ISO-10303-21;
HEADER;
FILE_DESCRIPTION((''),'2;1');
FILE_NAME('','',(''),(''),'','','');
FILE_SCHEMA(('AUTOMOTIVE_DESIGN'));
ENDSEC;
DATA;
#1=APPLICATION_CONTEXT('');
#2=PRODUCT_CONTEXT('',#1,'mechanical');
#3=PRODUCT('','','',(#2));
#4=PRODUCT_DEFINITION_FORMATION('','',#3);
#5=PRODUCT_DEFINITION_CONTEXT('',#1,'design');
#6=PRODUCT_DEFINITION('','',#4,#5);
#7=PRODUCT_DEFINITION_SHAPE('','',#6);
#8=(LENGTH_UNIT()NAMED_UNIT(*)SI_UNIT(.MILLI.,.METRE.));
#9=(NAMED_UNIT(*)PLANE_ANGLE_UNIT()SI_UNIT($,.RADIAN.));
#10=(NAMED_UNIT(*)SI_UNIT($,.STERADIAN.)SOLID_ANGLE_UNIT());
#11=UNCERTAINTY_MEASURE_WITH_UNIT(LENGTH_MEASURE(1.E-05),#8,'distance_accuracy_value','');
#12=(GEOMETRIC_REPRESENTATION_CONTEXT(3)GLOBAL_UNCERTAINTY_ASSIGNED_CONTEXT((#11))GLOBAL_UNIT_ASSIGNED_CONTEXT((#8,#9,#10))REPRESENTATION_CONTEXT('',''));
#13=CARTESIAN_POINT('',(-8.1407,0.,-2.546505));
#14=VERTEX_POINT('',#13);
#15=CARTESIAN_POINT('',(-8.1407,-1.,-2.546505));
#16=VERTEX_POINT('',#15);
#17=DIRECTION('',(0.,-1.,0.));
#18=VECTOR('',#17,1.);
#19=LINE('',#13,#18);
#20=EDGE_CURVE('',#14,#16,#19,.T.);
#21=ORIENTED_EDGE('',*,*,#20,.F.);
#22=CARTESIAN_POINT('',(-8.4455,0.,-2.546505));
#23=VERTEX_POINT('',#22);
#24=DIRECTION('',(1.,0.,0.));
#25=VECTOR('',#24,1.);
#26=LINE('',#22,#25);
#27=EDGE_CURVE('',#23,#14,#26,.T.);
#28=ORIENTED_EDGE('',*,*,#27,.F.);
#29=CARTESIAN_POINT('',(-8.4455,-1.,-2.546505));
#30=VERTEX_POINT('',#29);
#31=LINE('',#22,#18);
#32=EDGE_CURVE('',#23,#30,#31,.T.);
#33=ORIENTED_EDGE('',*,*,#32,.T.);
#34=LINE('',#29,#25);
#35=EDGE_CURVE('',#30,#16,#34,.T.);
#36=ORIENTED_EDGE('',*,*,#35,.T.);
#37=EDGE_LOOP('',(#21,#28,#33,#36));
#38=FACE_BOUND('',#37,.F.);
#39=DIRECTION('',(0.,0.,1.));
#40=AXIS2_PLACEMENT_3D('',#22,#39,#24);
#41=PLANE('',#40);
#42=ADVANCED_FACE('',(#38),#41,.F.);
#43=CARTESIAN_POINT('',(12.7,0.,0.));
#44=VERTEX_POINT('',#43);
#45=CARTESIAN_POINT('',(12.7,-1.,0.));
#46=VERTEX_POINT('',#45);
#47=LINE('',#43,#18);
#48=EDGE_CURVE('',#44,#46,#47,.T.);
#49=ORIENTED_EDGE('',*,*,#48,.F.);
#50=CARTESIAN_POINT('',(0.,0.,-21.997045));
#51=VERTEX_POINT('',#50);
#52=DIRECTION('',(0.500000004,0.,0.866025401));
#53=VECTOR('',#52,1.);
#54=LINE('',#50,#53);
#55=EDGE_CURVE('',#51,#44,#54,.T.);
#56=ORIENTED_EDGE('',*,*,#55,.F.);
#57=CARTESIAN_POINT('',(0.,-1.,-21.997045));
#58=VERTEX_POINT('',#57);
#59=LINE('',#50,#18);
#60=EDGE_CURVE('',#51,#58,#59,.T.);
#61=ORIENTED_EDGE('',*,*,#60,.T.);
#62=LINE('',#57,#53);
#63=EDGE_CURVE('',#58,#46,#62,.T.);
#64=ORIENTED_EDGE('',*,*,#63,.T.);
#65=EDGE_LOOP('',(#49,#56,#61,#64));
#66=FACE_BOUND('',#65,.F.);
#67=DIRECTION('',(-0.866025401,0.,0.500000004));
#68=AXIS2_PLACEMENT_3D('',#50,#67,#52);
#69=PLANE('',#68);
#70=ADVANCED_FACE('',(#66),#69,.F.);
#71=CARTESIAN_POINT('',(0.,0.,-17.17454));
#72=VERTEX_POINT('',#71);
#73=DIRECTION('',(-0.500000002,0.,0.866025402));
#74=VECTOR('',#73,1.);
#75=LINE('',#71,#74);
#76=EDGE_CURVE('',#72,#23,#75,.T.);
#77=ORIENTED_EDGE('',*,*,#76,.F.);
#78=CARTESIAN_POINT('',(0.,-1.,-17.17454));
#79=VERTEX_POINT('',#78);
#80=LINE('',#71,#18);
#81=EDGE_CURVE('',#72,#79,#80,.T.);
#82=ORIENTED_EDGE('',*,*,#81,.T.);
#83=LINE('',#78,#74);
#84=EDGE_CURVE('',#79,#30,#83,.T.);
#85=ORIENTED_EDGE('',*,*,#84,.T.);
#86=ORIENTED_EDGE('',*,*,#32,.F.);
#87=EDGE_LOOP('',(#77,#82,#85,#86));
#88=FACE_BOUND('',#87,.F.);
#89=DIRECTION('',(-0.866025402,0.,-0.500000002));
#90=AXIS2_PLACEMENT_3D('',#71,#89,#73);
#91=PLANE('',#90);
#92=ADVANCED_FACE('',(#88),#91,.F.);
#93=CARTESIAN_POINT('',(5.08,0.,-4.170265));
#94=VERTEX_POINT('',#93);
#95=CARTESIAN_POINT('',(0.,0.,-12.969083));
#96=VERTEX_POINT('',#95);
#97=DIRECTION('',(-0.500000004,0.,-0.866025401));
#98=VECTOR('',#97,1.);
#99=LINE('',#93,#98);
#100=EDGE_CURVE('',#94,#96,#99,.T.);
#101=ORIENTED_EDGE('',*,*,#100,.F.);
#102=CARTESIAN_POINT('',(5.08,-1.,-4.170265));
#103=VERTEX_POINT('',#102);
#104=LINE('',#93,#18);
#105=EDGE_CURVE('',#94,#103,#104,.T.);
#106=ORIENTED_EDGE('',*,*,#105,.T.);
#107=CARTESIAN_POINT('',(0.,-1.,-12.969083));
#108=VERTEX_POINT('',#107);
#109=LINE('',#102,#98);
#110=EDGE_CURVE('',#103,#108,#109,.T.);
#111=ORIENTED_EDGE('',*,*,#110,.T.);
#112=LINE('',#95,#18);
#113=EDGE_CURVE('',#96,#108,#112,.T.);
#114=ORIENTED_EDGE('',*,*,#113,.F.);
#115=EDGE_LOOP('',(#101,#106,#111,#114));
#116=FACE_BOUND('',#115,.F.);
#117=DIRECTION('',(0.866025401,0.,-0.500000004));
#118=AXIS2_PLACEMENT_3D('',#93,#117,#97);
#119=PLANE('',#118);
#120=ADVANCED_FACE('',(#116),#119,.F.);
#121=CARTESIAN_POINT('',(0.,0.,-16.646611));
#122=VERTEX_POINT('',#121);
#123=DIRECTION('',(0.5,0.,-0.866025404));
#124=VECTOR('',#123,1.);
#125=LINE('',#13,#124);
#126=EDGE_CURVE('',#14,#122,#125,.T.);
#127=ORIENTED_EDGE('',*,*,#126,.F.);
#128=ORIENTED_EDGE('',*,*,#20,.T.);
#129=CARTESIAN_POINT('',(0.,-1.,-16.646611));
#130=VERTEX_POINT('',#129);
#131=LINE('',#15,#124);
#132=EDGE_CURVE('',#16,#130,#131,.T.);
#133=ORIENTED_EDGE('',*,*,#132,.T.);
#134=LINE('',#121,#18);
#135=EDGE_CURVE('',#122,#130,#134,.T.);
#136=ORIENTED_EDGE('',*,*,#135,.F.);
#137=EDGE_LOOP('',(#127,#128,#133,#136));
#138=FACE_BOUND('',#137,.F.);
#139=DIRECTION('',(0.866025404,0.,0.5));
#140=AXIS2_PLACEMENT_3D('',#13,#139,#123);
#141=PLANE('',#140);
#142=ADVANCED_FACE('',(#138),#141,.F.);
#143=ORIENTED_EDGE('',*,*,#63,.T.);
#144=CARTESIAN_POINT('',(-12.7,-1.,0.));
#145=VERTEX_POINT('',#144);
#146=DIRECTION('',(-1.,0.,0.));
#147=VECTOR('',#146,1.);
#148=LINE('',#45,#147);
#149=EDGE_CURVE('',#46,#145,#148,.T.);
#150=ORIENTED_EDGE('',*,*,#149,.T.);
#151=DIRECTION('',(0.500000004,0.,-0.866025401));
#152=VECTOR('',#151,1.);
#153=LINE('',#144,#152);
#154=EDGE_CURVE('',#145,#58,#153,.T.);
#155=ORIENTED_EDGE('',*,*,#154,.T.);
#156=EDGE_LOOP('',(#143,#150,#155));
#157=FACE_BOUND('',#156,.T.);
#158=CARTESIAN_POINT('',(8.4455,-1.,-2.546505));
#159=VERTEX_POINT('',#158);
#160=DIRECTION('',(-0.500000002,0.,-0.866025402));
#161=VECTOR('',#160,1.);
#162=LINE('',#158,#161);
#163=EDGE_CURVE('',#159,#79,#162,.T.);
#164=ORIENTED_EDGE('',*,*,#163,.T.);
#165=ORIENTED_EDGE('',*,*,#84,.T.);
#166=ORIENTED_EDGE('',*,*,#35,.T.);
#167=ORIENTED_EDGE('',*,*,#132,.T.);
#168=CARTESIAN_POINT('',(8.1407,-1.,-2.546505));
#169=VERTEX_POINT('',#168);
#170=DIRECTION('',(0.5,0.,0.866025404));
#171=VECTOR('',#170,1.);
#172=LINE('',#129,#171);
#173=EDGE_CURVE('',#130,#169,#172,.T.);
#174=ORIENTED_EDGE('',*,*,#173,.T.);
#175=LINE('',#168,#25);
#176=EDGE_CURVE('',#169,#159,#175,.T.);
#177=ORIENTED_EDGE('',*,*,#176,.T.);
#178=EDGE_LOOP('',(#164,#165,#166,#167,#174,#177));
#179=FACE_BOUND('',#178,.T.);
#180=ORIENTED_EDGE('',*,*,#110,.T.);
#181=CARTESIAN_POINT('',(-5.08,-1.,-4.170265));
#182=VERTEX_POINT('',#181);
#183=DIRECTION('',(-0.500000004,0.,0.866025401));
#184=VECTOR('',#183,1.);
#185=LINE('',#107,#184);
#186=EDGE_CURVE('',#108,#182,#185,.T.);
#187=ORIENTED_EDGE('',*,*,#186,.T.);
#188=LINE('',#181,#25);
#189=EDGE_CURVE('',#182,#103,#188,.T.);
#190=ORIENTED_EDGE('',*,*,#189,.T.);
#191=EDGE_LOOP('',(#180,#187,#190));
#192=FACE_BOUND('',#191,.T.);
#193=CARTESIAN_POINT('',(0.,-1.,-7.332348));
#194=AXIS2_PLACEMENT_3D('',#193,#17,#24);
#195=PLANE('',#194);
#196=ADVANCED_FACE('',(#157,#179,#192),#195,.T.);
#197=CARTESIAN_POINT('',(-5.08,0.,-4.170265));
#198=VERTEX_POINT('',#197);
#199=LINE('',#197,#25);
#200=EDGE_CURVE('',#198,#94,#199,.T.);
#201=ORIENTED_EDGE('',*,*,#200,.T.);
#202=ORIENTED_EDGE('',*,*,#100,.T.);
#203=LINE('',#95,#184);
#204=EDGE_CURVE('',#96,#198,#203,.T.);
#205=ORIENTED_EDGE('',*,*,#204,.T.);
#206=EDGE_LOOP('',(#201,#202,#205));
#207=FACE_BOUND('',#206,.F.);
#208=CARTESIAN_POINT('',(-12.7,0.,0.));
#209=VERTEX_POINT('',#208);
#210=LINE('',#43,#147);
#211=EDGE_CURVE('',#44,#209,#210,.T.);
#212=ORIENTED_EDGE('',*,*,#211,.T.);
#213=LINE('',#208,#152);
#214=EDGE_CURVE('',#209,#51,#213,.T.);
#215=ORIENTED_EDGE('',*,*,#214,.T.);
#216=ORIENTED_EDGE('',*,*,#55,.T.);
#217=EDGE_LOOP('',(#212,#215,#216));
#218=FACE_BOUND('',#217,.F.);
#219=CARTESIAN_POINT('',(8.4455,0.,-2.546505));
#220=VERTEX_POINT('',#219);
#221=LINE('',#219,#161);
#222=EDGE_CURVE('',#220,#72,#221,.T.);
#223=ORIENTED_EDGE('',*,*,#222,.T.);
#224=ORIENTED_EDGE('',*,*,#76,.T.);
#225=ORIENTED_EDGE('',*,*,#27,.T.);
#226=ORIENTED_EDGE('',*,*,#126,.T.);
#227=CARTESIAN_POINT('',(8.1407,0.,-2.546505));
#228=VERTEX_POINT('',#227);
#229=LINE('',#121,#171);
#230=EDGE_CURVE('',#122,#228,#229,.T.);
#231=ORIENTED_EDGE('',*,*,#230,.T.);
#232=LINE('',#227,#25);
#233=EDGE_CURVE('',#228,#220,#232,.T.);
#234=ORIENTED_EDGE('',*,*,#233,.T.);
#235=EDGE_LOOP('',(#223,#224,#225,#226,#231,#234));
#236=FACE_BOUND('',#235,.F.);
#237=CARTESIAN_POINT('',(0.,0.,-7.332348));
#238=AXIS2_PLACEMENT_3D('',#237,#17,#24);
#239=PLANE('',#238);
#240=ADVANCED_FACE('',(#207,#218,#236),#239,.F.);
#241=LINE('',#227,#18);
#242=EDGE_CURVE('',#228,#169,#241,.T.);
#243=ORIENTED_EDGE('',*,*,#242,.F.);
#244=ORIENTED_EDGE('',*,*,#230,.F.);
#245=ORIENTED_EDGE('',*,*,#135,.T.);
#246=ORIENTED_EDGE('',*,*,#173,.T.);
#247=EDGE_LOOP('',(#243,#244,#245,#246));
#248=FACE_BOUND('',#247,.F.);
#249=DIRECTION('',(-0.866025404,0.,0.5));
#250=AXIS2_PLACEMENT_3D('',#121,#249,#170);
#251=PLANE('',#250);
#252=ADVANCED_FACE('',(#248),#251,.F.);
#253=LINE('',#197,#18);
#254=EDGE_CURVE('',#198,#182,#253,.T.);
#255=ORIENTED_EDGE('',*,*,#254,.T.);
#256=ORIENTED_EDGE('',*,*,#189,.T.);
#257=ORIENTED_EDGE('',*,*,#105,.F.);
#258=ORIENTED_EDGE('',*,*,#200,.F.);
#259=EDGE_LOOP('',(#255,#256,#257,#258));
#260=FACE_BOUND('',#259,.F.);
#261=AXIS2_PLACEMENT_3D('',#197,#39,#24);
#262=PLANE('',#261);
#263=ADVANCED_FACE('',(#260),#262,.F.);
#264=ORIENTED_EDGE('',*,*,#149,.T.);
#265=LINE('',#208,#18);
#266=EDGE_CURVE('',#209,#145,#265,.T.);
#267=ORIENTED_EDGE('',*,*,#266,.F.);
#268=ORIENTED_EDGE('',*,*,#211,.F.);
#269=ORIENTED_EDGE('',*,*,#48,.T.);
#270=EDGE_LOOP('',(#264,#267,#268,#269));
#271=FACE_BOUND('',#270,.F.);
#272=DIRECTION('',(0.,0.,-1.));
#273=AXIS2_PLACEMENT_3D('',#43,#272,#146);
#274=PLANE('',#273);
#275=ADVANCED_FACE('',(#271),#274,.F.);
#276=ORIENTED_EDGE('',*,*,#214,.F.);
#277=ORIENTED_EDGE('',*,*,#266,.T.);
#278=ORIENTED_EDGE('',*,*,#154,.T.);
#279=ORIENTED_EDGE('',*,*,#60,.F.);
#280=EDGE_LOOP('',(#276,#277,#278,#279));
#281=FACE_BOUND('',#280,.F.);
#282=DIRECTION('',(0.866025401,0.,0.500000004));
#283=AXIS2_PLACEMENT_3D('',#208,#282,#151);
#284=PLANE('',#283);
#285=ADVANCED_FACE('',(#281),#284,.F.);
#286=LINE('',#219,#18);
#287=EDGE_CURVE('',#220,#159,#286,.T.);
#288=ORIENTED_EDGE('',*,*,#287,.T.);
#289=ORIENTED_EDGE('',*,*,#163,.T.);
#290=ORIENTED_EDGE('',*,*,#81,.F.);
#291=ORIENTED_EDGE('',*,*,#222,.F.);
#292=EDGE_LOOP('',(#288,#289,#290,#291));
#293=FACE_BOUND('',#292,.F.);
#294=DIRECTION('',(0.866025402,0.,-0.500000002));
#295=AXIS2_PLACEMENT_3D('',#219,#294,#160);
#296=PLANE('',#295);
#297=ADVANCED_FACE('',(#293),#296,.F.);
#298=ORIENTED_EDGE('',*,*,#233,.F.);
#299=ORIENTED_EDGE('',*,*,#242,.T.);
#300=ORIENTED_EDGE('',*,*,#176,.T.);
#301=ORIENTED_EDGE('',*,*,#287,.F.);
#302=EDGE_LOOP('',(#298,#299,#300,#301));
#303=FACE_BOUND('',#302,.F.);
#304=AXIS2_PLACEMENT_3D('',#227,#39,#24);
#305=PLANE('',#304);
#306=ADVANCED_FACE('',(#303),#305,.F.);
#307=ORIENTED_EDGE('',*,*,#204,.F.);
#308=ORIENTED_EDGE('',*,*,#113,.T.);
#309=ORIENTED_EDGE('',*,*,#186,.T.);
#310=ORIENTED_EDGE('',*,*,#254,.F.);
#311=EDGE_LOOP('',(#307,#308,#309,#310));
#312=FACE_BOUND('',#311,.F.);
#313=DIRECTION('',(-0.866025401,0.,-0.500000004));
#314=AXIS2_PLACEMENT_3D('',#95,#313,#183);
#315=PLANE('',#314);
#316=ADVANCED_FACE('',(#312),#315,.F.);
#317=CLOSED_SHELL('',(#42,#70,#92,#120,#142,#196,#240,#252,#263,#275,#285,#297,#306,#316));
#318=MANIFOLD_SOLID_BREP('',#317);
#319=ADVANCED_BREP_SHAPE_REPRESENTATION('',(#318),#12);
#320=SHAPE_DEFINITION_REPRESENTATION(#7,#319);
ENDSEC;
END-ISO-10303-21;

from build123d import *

# Parameters (mm, degrees)
F1_DEPTH = 1


with BuildPart() as f1:
    # F0 (on Front) → F1 (new body)
    with BuildSketch(Plane.XZ):
        Polygon((12.7, 0), (-12.7, 0), (0, -21.997045), align=None)
        Polygon((0, -17.17454), (-8.4455, -2.546505), (-8.1407, -2.546505), (0, -16.646611), (8.1407, -2.546505), (8.4455, -2.546505), align=None, mode=Mode.SUBTRACT)
        Polygon((0, -12.969083), (-5.08, -4.170265), (5.08, -4.170265), align=None, mode=Mode.SUBTRACT)
    extrude(amount=F1_DEPTH)


solid = f1.part
